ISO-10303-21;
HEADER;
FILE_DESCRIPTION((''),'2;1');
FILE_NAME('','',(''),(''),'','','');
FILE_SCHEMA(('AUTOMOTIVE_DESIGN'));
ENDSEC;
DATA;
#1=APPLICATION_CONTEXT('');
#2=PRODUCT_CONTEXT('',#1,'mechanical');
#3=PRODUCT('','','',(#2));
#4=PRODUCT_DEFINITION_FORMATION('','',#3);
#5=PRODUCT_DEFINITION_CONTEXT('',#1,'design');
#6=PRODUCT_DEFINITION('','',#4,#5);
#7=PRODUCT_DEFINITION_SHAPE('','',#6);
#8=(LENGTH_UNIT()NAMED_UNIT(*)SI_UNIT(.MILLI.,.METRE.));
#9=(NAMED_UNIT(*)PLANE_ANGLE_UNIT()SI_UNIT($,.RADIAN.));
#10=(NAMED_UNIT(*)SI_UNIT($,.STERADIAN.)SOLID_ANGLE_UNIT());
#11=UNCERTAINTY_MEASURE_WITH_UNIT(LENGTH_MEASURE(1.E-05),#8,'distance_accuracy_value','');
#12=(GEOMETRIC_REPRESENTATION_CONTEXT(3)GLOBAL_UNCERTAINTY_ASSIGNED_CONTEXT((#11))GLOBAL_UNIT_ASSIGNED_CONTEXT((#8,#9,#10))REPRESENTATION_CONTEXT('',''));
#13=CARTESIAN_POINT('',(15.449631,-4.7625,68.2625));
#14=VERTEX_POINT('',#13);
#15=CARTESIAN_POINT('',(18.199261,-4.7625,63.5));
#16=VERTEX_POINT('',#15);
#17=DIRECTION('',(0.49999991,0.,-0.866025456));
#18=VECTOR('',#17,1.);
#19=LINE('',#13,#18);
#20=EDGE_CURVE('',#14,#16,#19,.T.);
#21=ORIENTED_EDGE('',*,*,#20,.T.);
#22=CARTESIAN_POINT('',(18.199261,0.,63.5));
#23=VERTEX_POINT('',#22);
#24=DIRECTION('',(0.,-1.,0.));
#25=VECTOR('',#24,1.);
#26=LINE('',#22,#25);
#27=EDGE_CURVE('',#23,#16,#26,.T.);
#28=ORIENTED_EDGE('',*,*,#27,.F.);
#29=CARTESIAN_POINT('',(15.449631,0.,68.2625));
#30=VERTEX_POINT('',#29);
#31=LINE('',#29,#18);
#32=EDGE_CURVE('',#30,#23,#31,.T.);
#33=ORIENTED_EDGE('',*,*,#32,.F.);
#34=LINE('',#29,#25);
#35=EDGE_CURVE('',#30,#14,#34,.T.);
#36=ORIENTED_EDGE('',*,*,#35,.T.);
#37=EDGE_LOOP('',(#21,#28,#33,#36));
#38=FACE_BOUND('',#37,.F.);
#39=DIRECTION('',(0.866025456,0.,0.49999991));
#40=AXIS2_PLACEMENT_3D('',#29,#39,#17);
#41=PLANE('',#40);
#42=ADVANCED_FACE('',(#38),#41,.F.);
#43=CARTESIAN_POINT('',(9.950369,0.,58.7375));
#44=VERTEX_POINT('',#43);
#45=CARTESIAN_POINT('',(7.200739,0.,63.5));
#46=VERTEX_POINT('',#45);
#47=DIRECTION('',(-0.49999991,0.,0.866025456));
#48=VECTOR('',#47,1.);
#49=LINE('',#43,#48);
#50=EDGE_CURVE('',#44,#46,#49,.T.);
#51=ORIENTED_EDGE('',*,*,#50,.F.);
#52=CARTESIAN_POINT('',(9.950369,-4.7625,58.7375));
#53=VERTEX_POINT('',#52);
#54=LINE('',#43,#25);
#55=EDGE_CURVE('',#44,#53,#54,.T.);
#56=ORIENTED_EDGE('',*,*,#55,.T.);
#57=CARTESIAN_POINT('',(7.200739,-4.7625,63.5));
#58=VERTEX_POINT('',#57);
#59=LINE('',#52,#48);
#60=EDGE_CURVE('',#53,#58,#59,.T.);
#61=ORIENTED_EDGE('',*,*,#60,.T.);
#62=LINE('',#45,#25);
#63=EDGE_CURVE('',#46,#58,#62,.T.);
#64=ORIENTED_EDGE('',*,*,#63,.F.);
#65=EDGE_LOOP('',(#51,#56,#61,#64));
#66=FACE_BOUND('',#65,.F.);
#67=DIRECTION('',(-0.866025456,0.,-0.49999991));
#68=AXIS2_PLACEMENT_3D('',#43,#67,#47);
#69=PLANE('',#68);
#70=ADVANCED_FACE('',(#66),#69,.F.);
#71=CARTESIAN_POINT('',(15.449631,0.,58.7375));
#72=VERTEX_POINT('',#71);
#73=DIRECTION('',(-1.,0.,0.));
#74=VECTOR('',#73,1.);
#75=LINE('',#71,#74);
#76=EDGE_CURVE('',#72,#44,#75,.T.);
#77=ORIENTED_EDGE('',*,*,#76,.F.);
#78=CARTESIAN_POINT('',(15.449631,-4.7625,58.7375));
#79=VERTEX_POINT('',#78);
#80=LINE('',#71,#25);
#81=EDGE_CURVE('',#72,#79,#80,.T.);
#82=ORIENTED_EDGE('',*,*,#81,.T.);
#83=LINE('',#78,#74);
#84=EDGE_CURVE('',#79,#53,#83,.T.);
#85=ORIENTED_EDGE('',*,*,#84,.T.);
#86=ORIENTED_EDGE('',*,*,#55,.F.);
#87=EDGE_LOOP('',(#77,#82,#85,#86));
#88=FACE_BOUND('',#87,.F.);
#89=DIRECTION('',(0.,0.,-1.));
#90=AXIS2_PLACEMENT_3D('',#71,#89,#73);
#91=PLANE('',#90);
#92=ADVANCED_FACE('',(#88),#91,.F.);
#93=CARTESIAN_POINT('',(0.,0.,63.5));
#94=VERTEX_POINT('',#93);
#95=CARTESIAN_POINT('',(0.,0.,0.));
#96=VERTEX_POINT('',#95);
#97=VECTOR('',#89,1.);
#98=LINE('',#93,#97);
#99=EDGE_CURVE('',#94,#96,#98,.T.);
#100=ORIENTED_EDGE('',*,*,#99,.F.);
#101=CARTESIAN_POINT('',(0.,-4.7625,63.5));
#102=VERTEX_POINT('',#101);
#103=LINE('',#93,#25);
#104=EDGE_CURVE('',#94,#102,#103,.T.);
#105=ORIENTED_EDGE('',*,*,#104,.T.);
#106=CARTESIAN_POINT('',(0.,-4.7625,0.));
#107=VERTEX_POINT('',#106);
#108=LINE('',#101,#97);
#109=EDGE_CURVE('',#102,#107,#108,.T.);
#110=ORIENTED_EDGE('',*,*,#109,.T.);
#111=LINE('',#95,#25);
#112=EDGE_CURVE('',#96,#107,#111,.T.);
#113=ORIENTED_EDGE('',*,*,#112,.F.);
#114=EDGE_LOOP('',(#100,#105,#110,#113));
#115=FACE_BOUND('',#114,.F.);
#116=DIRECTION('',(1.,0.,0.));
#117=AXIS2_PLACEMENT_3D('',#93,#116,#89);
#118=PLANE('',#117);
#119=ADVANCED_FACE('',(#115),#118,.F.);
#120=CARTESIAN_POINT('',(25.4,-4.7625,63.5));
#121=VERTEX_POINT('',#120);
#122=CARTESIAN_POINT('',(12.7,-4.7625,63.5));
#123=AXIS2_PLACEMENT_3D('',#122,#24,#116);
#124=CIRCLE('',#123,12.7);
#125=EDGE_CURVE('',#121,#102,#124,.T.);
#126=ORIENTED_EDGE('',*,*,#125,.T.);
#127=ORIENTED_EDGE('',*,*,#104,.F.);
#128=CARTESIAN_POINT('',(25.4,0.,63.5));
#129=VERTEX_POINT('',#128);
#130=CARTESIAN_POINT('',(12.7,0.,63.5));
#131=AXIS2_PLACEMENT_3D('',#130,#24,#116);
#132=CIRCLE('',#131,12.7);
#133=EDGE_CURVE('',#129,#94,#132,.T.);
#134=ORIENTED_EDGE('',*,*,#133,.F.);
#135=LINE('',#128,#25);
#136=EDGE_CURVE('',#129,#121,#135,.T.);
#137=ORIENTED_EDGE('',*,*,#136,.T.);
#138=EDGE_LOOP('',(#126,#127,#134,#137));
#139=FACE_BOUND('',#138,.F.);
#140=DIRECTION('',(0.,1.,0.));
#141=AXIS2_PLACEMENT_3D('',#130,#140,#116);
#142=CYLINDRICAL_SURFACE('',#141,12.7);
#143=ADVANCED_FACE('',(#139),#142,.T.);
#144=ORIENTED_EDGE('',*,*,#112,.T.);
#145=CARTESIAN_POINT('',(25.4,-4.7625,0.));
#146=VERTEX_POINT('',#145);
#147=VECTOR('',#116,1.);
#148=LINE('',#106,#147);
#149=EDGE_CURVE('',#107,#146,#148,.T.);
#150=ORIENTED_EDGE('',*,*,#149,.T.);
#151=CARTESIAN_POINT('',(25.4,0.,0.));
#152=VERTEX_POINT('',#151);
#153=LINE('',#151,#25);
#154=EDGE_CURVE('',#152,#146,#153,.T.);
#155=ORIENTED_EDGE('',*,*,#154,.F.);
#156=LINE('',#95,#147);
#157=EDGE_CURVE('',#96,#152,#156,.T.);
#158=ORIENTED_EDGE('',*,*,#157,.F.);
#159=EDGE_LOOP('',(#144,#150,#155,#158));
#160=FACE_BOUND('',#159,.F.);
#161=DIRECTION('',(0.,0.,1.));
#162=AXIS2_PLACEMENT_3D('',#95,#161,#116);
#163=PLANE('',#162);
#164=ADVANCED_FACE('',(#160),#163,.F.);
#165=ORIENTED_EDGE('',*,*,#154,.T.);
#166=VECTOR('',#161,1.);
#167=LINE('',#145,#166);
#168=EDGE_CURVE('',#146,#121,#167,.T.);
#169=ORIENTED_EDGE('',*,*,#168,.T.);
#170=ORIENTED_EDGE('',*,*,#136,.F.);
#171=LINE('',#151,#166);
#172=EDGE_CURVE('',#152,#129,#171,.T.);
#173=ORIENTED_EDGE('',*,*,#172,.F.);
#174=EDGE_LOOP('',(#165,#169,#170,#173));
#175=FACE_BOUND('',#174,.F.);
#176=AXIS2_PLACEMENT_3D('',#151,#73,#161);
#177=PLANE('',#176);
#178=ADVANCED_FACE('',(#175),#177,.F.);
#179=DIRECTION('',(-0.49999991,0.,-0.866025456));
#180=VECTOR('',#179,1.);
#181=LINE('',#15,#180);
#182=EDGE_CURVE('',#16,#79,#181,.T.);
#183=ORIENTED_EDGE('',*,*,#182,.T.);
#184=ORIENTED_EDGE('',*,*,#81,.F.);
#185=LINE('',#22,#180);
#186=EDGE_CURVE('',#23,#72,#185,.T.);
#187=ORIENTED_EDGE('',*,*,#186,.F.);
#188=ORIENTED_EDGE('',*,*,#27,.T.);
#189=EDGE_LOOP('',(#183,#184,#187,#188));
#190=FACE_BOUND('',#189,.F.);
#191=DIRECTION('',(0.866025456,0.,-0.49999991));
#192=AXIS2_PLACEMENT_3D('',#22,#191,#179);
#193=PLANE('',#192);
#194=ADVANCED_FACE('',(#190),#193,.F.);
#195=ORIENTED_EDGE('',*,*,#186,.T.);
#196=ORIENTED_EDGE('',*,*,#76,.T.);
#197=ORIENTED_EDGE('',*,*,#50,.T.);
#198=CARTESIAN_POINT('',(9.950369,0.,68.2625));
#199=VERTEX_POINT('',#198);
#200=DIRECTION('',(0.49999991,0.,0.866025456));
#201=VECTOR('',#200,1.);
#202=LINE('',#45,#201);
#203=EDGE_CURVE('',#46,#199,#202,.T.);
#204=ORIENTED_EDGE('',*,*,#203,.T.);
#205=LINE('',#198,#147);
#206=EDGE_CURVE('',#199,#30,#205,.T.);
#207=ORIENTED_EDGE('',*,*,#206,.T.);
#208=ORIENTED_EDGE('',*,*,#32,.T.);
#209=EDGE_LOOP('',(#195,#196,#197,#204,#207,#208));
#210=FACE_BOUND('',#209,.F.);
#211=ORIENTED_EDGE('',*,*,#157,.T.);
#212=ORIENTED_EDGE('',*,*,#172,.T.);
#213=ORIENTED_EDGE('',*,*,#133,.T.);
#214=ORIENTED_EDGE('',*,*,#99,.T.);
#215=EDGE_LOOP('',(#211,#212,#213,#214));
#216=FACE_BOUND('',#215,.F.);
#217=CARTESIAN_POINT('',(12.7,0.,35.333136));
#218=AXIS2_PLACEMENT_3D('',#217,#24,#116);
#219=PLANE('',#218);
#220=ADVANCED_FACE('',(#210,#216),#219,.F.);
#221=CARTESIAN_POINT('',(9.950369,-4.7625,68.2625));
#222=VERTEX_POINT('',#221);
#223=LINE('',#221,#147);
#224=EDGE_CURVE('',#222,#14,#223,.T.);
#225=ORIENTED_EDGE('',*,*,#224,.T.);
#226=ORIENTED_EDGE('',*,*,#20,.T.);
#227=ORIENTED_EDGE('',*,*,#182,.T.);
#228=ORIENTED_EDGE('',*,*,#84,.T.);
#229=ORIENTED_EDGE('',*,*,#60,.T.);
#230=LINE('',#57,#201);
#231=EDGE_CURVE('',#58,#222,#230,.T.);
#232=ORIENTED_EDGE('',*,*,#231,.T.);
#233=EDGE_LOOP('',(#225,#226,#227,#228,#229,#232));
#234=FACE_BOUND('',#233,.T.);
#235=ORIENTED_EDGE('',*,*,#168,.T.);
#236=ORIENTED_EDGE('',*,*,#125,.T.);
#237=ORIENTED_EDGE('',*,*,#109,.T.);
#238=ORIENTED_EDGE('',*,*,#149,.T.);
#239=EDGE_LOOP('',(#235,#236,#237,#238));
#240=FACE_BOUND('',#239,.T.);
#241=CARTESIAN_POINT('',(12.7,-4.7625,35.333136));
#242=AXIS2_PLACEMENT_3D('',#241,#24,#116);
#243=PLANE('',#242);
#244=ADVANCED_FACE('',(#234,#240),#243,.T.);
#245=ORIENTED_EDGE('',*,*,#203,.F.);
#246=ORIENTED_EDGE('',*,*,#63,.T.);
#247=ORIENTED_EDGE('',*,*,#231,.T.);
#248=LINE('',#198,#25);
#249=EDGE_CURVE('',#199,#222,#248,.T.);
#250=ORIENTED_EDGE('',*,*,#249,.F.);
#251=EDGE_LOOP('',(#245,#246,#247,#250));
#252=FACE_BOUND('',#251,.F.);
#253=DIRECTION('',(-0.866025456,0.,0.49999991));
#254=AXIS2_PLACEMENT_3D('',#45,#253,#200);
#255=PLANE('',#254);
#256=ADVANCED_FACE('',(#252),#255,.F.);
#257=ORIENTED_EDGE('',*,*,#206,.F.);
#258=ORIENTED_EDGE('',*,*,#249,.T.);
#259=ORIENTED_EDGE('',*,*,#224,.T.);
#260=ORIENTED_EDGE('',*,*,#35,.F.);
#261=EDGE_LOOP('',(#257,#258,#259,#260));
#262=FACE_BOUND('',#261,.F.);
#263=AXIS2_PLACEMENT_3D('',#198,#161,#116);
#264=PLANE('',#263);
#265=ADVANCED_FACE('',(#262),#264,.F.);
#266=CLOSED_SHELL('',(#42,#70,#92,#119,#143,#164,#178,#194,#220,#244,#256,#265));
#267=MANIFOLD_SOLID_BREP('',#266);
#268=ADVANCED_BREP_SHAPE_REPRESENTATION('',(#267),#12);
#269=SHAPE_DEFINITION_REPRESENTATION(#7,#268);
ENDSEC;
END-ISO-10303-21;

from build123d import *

# Parameters (mm, degrees)
F1_DEPTH = 4.7625


with BuildPart() as f1:
    # F0 (on Front) → F1 (new body)
    with BuildSketch(Plane.XZ):
        with BuildLine():
            Line((0, 63.5), (0, 0))
            Line((0, 0), (25.4, 0))
            Line((25.4, 0), (25.4, 63.5))
            ThreePointArc((25.4, 63.5), (12.7, 76.2), (0, 63.5))
        make_face()
        Polygon((7.200739, 63.5), (9.950369, 68.2625), (15.449631, 68.2625), (18.199261, 63.5), (15.449631, 58.7375), (9.950369, 58.7375), align=None, mode=Mode.SUBTRACT)
    extrude(amount=F1_DEPTH)


solid = f1.part
